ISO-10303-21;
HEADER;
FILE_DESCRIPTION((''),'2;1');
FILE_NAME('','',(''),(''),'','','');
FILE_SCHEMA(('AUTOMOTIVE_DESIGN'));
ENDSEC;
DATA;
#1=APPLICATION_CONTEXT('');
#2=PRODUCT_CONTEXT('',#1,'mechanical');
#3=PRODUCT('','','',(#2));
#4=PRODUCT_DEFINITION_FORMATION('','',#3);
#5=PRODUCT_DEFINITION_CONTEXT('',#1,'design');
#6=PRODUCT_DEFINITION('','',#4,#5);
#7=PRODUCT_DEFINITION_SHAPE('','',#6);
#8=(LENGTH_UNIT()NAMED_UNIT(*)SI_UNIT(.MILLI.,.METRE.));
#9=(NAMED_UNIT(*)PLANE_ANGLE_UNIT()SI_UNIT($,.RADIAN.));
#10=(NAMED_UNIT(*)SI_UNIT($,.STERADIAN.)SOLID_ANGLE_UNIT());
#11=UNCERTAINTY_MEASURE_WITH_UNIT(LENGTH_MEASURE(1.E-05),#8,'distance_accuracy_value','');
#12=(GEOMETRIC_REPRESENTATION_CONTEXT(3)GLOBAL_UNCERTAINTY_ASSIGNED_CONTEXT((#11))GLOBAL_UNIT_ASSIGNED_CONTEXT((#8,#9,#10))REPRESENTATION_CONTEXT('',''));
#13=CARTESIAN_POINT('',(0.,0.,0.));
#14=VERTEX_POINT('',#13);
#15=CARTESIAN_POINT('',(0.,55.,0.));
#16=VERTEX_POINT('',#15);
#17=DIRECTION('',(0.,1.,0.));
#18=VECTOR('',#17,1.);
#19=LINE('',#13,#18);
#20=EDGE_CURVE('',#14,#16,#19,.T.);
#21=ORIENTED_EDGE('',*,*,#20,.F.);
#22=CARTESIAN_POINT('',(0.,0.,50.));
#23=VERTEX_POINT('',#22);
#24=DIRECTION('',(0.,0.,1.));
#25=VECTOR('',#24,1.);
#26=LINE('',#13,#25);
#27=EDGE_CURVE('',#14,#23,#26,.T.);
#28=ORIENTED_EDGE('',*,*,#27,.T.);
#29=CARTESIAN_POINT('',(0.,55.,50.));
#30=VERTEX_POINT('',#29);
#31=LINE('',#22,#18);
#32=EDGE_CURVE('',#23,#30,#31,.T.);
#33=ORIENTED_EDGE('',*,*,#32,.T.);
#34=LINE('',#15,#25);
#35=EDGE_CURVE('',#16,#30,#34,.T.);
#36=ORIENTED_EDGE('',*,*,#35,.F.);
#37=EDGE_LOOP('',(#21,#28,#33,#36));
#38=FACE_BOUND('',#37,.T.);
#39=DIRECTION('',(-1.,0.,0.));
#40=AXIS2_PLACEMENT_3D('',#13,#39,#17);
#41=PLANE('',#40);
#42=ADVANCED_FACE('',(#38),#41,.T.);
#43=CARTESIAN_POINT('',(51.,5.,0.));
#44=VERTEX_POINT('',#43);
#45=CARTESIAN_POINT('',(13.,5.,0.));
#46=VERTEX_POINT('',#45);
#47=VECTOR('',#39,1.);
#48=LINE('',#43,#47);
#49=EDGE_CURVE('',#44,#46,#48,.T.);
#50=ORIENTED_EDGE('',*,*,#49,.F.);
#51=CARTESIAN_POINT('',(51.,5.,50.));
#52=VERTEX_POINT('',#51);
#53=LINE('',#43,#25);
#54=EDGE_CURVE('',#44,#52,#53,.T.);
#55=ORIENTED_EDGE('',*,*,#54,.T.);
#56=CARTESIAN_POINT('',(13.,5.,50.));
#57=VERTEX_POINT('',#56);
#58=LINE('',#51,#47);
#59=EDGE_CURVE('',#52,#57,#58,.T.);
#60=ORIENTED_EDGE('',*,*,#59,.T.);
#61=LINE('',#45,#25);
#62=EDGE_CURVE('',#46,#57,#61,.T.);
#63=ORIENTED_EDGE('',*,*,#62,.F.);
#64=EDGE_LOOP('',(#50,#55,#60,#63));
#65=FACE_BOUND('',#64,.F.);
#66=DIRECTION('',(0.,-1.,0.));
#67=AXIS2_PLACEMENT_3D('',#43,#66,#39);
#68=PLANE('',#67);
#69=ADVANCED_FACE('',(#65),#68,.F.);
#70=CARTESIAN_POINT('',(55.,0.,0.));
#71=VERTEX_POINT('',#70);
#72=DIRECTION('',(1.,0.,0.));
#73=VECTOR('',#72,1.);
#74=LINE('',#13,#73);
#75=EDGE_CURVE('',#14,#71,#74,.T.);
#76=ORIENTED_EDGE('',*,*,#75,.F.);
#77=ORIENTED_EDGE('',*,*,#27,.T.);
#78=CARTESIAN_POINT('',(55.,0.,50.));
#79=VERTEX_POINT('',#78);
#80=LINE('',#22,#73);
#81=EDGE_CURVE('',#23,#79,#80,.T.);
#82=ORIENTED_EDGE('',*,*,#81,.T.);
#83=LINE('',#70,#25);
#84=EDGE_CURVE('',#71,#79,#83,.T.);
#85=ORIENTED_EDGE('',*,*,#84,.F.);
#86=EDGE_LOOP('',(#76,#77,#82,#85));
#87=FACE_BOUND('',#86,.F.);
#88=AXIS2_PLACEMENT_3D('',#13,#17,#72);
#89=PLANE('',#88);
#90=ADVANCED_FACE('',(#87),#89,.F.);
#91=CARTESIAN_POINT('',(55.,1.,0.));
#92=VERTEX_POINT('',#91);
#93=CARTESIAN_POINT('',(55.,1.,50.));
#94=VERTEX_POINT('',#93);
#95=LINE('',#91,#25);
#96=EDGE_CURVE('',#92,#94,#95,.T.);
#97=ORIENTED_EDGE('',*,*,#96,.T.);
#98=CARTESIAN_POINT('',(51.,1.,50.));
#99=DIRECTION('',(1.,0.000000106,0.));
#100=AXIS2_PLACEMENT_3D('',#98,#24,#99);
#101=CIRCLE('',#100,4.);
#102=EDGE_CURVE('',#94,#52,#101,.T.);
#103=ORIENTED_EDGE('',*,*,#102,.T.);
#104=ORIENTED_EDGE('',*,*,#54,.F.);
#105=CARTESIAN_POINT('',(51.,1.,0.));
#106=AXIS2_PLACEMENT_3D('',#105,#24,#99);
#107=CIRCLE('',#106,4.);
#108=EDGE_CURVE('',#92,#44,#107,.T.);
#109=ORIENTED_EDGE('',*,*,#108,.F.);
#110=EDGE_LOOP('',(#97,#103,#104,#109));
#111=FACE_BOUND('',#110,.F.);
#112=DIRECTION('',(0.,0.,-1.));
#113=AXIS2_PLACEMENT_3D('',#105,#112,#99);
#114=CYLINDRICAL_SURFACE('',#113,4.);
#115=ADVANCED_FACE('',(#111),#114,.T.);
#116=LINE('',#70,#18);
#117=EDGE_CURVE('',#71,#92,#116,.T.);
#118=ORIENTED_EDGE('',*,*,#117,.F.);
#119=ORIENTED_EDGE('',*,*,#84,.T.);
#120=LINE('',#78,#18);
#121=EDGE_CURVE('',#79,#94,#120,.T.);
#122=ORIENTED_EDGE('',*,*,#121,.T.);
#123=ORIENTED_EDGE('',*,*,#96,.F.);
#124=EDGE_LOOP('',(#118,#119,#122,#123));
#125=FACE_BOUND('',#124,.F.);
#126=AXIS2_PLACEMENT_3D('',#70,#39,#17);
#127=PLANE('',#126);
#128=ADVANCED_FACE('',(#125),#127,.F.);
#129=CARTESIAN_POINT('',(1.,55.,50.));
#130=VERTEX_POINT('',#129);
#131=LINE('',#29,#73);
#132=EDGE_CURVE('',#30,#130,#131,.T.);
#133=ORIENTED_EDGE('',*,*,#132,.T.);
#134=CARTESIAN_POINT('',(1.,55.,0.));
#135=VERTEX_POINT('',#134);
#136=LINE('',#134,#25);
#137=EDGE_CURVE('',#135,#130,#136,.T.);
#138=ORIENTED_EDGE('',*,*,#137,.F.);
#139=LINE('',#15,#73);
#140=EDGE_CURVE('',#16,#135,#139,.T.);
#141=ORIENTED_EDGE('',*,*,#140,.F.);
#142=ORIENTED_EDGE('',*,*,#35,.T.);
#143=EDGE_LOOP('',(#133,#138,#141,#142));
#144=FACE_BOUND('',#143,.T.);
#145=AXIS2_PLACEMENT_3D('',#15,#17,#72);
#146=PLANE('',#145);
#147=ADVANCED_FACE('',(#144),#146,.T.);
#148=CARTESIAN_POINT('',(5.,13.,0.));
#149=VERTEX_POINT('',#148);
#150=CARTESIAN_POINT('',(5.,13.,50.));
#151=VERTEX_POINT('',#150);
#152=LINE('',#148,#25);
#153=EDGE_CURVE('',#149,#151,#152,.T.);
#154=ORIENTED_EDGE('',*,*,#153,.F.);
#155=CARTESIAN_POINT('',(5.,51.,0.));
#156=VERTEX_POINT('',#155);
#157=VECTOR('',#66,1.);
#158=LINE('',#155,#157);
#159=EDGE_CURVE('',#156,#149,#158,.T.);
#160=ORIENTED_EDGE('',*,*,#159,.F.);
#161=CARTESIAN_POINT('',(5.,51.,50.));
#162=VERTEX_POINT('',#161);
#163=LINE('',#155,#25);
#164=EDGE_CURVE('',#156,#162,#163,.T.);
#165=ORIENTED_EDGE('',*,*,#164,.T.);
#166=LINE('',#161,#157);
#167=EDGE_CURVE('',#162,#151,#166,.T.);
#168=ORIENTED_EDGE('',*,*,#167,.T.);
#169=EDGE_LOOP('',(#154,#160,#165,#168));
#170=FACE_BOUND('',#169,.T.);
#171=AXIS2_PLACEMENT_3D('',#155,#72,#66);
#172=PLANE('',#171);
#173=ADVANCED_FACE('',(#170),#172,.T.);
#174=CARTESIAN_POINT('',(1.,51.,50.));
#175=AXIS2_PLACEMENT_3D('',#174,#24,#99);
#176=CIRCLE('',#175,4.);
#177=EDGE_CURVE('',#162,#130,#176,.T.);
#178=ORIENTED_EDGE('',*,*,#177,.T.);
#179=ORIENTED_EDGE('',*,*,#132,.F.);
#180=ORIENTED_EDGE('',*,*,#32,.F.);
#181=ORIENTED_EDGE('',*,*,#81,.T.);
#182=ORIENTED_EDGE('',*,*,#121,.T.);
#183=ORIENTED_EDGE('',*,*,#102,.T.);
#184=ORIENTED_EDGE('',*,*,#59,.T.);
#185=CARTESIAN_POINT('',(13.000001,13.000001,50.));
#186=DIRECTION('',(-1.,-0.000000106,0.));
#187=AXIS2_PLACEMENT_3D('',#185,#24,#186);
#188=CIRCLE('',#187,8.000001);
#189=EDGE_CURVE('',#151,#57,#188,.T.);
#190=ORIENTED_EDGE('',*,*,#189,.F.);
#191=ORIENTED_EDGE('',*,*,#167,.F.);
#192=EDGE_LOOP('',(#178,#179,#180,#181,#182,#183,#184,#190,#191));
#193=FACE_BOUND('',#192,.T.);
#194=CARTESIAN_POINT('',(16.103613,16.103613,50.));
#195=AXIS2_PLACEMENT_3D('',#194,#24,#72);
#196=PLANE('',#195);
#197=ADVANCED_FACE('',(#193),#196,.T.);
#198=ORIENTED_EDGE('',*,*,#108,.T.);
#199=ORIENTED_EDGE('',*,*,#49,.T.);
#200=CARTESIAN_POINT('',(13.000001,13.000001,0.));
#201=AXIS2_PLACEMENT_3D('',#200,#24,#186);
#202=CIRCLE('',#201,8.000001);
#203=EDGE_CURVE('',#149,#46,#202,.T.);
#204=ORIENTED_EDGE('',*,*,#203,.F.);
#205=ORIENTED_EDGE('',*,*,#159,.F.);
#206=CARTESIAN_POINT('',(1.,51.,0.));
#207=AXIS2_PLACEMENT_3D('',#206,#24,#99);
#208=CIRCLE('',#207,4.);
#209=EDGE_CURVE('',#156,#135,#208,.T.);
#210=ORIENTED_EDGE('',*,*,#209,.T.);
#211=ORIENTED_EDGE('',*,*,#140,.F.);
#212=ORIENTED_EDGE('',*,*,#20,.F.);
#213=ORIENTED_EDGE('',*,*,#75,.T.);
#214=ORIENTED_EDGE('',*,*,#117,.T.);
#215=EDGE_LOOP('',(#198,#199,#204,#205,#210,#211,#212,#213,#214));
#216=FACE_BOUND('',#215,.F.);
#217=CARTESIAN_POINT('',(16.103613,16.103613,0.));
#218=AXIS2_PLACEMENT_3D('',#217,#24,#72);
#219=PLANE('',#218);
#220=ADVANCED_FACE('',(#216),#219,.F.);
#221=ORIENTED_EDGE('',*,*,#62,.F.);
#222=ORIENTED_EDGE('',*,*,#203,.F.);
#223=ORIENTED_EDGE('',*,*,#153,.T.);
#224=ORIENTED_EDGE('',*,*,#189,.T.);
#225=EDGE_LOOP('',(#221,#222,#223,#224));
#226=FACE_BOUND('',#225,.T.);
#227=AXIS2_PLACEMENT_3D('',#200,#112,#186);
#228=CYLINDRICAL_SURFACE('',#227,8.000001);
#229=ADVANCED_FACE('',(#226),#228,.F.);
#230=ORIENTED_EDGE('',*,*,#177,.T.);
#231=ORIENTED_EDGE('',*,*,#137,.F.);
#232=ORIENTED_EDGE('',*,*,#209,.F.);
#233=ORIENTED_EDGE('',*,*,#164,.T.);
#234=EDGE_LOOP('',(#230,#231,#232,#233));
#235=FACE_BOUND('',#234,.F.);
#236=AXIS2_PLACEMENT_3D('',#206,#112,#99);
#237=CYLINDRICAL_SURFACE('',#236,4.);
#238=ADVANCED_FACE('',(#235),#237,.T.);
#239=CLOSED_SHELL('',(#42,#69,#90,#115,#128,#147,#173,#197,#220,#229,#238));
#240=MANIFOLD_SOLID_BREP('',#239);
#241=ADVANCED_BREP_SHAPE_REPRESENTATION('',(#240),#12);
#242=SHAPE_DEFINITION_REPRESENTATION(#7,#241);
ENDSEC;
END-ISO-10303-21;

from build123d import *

# Parameters (mm, degrees)
EXTRUDE_DEPTH = 50


with BuildPart() as part:
    # Sketch → Extrude (new body)
    with BuildSketch(Plane.XY):
        with BuildLine():
            Line((0, 0), (55, 0))
            Line((55, 0), (55, 1))
            ThreePointArc((55, 1), (53.828427, 3.828427), (51, 5))
            Line((51, 5), (13, 5))
            ThreePointArc((5, 13), (7.343146, 7.343146), (13, 5))
            Line((5, 51), (5, 13))
            ThreePointArc((5, 51), (3.828427, 53.828427), (1, 55))
            Line((0, 55), (1, 55))
            Line((0, 0), (0, 55))
        make_face()
    extrude(amount=EXTRUDE_DEPTH)


solid = part.part
